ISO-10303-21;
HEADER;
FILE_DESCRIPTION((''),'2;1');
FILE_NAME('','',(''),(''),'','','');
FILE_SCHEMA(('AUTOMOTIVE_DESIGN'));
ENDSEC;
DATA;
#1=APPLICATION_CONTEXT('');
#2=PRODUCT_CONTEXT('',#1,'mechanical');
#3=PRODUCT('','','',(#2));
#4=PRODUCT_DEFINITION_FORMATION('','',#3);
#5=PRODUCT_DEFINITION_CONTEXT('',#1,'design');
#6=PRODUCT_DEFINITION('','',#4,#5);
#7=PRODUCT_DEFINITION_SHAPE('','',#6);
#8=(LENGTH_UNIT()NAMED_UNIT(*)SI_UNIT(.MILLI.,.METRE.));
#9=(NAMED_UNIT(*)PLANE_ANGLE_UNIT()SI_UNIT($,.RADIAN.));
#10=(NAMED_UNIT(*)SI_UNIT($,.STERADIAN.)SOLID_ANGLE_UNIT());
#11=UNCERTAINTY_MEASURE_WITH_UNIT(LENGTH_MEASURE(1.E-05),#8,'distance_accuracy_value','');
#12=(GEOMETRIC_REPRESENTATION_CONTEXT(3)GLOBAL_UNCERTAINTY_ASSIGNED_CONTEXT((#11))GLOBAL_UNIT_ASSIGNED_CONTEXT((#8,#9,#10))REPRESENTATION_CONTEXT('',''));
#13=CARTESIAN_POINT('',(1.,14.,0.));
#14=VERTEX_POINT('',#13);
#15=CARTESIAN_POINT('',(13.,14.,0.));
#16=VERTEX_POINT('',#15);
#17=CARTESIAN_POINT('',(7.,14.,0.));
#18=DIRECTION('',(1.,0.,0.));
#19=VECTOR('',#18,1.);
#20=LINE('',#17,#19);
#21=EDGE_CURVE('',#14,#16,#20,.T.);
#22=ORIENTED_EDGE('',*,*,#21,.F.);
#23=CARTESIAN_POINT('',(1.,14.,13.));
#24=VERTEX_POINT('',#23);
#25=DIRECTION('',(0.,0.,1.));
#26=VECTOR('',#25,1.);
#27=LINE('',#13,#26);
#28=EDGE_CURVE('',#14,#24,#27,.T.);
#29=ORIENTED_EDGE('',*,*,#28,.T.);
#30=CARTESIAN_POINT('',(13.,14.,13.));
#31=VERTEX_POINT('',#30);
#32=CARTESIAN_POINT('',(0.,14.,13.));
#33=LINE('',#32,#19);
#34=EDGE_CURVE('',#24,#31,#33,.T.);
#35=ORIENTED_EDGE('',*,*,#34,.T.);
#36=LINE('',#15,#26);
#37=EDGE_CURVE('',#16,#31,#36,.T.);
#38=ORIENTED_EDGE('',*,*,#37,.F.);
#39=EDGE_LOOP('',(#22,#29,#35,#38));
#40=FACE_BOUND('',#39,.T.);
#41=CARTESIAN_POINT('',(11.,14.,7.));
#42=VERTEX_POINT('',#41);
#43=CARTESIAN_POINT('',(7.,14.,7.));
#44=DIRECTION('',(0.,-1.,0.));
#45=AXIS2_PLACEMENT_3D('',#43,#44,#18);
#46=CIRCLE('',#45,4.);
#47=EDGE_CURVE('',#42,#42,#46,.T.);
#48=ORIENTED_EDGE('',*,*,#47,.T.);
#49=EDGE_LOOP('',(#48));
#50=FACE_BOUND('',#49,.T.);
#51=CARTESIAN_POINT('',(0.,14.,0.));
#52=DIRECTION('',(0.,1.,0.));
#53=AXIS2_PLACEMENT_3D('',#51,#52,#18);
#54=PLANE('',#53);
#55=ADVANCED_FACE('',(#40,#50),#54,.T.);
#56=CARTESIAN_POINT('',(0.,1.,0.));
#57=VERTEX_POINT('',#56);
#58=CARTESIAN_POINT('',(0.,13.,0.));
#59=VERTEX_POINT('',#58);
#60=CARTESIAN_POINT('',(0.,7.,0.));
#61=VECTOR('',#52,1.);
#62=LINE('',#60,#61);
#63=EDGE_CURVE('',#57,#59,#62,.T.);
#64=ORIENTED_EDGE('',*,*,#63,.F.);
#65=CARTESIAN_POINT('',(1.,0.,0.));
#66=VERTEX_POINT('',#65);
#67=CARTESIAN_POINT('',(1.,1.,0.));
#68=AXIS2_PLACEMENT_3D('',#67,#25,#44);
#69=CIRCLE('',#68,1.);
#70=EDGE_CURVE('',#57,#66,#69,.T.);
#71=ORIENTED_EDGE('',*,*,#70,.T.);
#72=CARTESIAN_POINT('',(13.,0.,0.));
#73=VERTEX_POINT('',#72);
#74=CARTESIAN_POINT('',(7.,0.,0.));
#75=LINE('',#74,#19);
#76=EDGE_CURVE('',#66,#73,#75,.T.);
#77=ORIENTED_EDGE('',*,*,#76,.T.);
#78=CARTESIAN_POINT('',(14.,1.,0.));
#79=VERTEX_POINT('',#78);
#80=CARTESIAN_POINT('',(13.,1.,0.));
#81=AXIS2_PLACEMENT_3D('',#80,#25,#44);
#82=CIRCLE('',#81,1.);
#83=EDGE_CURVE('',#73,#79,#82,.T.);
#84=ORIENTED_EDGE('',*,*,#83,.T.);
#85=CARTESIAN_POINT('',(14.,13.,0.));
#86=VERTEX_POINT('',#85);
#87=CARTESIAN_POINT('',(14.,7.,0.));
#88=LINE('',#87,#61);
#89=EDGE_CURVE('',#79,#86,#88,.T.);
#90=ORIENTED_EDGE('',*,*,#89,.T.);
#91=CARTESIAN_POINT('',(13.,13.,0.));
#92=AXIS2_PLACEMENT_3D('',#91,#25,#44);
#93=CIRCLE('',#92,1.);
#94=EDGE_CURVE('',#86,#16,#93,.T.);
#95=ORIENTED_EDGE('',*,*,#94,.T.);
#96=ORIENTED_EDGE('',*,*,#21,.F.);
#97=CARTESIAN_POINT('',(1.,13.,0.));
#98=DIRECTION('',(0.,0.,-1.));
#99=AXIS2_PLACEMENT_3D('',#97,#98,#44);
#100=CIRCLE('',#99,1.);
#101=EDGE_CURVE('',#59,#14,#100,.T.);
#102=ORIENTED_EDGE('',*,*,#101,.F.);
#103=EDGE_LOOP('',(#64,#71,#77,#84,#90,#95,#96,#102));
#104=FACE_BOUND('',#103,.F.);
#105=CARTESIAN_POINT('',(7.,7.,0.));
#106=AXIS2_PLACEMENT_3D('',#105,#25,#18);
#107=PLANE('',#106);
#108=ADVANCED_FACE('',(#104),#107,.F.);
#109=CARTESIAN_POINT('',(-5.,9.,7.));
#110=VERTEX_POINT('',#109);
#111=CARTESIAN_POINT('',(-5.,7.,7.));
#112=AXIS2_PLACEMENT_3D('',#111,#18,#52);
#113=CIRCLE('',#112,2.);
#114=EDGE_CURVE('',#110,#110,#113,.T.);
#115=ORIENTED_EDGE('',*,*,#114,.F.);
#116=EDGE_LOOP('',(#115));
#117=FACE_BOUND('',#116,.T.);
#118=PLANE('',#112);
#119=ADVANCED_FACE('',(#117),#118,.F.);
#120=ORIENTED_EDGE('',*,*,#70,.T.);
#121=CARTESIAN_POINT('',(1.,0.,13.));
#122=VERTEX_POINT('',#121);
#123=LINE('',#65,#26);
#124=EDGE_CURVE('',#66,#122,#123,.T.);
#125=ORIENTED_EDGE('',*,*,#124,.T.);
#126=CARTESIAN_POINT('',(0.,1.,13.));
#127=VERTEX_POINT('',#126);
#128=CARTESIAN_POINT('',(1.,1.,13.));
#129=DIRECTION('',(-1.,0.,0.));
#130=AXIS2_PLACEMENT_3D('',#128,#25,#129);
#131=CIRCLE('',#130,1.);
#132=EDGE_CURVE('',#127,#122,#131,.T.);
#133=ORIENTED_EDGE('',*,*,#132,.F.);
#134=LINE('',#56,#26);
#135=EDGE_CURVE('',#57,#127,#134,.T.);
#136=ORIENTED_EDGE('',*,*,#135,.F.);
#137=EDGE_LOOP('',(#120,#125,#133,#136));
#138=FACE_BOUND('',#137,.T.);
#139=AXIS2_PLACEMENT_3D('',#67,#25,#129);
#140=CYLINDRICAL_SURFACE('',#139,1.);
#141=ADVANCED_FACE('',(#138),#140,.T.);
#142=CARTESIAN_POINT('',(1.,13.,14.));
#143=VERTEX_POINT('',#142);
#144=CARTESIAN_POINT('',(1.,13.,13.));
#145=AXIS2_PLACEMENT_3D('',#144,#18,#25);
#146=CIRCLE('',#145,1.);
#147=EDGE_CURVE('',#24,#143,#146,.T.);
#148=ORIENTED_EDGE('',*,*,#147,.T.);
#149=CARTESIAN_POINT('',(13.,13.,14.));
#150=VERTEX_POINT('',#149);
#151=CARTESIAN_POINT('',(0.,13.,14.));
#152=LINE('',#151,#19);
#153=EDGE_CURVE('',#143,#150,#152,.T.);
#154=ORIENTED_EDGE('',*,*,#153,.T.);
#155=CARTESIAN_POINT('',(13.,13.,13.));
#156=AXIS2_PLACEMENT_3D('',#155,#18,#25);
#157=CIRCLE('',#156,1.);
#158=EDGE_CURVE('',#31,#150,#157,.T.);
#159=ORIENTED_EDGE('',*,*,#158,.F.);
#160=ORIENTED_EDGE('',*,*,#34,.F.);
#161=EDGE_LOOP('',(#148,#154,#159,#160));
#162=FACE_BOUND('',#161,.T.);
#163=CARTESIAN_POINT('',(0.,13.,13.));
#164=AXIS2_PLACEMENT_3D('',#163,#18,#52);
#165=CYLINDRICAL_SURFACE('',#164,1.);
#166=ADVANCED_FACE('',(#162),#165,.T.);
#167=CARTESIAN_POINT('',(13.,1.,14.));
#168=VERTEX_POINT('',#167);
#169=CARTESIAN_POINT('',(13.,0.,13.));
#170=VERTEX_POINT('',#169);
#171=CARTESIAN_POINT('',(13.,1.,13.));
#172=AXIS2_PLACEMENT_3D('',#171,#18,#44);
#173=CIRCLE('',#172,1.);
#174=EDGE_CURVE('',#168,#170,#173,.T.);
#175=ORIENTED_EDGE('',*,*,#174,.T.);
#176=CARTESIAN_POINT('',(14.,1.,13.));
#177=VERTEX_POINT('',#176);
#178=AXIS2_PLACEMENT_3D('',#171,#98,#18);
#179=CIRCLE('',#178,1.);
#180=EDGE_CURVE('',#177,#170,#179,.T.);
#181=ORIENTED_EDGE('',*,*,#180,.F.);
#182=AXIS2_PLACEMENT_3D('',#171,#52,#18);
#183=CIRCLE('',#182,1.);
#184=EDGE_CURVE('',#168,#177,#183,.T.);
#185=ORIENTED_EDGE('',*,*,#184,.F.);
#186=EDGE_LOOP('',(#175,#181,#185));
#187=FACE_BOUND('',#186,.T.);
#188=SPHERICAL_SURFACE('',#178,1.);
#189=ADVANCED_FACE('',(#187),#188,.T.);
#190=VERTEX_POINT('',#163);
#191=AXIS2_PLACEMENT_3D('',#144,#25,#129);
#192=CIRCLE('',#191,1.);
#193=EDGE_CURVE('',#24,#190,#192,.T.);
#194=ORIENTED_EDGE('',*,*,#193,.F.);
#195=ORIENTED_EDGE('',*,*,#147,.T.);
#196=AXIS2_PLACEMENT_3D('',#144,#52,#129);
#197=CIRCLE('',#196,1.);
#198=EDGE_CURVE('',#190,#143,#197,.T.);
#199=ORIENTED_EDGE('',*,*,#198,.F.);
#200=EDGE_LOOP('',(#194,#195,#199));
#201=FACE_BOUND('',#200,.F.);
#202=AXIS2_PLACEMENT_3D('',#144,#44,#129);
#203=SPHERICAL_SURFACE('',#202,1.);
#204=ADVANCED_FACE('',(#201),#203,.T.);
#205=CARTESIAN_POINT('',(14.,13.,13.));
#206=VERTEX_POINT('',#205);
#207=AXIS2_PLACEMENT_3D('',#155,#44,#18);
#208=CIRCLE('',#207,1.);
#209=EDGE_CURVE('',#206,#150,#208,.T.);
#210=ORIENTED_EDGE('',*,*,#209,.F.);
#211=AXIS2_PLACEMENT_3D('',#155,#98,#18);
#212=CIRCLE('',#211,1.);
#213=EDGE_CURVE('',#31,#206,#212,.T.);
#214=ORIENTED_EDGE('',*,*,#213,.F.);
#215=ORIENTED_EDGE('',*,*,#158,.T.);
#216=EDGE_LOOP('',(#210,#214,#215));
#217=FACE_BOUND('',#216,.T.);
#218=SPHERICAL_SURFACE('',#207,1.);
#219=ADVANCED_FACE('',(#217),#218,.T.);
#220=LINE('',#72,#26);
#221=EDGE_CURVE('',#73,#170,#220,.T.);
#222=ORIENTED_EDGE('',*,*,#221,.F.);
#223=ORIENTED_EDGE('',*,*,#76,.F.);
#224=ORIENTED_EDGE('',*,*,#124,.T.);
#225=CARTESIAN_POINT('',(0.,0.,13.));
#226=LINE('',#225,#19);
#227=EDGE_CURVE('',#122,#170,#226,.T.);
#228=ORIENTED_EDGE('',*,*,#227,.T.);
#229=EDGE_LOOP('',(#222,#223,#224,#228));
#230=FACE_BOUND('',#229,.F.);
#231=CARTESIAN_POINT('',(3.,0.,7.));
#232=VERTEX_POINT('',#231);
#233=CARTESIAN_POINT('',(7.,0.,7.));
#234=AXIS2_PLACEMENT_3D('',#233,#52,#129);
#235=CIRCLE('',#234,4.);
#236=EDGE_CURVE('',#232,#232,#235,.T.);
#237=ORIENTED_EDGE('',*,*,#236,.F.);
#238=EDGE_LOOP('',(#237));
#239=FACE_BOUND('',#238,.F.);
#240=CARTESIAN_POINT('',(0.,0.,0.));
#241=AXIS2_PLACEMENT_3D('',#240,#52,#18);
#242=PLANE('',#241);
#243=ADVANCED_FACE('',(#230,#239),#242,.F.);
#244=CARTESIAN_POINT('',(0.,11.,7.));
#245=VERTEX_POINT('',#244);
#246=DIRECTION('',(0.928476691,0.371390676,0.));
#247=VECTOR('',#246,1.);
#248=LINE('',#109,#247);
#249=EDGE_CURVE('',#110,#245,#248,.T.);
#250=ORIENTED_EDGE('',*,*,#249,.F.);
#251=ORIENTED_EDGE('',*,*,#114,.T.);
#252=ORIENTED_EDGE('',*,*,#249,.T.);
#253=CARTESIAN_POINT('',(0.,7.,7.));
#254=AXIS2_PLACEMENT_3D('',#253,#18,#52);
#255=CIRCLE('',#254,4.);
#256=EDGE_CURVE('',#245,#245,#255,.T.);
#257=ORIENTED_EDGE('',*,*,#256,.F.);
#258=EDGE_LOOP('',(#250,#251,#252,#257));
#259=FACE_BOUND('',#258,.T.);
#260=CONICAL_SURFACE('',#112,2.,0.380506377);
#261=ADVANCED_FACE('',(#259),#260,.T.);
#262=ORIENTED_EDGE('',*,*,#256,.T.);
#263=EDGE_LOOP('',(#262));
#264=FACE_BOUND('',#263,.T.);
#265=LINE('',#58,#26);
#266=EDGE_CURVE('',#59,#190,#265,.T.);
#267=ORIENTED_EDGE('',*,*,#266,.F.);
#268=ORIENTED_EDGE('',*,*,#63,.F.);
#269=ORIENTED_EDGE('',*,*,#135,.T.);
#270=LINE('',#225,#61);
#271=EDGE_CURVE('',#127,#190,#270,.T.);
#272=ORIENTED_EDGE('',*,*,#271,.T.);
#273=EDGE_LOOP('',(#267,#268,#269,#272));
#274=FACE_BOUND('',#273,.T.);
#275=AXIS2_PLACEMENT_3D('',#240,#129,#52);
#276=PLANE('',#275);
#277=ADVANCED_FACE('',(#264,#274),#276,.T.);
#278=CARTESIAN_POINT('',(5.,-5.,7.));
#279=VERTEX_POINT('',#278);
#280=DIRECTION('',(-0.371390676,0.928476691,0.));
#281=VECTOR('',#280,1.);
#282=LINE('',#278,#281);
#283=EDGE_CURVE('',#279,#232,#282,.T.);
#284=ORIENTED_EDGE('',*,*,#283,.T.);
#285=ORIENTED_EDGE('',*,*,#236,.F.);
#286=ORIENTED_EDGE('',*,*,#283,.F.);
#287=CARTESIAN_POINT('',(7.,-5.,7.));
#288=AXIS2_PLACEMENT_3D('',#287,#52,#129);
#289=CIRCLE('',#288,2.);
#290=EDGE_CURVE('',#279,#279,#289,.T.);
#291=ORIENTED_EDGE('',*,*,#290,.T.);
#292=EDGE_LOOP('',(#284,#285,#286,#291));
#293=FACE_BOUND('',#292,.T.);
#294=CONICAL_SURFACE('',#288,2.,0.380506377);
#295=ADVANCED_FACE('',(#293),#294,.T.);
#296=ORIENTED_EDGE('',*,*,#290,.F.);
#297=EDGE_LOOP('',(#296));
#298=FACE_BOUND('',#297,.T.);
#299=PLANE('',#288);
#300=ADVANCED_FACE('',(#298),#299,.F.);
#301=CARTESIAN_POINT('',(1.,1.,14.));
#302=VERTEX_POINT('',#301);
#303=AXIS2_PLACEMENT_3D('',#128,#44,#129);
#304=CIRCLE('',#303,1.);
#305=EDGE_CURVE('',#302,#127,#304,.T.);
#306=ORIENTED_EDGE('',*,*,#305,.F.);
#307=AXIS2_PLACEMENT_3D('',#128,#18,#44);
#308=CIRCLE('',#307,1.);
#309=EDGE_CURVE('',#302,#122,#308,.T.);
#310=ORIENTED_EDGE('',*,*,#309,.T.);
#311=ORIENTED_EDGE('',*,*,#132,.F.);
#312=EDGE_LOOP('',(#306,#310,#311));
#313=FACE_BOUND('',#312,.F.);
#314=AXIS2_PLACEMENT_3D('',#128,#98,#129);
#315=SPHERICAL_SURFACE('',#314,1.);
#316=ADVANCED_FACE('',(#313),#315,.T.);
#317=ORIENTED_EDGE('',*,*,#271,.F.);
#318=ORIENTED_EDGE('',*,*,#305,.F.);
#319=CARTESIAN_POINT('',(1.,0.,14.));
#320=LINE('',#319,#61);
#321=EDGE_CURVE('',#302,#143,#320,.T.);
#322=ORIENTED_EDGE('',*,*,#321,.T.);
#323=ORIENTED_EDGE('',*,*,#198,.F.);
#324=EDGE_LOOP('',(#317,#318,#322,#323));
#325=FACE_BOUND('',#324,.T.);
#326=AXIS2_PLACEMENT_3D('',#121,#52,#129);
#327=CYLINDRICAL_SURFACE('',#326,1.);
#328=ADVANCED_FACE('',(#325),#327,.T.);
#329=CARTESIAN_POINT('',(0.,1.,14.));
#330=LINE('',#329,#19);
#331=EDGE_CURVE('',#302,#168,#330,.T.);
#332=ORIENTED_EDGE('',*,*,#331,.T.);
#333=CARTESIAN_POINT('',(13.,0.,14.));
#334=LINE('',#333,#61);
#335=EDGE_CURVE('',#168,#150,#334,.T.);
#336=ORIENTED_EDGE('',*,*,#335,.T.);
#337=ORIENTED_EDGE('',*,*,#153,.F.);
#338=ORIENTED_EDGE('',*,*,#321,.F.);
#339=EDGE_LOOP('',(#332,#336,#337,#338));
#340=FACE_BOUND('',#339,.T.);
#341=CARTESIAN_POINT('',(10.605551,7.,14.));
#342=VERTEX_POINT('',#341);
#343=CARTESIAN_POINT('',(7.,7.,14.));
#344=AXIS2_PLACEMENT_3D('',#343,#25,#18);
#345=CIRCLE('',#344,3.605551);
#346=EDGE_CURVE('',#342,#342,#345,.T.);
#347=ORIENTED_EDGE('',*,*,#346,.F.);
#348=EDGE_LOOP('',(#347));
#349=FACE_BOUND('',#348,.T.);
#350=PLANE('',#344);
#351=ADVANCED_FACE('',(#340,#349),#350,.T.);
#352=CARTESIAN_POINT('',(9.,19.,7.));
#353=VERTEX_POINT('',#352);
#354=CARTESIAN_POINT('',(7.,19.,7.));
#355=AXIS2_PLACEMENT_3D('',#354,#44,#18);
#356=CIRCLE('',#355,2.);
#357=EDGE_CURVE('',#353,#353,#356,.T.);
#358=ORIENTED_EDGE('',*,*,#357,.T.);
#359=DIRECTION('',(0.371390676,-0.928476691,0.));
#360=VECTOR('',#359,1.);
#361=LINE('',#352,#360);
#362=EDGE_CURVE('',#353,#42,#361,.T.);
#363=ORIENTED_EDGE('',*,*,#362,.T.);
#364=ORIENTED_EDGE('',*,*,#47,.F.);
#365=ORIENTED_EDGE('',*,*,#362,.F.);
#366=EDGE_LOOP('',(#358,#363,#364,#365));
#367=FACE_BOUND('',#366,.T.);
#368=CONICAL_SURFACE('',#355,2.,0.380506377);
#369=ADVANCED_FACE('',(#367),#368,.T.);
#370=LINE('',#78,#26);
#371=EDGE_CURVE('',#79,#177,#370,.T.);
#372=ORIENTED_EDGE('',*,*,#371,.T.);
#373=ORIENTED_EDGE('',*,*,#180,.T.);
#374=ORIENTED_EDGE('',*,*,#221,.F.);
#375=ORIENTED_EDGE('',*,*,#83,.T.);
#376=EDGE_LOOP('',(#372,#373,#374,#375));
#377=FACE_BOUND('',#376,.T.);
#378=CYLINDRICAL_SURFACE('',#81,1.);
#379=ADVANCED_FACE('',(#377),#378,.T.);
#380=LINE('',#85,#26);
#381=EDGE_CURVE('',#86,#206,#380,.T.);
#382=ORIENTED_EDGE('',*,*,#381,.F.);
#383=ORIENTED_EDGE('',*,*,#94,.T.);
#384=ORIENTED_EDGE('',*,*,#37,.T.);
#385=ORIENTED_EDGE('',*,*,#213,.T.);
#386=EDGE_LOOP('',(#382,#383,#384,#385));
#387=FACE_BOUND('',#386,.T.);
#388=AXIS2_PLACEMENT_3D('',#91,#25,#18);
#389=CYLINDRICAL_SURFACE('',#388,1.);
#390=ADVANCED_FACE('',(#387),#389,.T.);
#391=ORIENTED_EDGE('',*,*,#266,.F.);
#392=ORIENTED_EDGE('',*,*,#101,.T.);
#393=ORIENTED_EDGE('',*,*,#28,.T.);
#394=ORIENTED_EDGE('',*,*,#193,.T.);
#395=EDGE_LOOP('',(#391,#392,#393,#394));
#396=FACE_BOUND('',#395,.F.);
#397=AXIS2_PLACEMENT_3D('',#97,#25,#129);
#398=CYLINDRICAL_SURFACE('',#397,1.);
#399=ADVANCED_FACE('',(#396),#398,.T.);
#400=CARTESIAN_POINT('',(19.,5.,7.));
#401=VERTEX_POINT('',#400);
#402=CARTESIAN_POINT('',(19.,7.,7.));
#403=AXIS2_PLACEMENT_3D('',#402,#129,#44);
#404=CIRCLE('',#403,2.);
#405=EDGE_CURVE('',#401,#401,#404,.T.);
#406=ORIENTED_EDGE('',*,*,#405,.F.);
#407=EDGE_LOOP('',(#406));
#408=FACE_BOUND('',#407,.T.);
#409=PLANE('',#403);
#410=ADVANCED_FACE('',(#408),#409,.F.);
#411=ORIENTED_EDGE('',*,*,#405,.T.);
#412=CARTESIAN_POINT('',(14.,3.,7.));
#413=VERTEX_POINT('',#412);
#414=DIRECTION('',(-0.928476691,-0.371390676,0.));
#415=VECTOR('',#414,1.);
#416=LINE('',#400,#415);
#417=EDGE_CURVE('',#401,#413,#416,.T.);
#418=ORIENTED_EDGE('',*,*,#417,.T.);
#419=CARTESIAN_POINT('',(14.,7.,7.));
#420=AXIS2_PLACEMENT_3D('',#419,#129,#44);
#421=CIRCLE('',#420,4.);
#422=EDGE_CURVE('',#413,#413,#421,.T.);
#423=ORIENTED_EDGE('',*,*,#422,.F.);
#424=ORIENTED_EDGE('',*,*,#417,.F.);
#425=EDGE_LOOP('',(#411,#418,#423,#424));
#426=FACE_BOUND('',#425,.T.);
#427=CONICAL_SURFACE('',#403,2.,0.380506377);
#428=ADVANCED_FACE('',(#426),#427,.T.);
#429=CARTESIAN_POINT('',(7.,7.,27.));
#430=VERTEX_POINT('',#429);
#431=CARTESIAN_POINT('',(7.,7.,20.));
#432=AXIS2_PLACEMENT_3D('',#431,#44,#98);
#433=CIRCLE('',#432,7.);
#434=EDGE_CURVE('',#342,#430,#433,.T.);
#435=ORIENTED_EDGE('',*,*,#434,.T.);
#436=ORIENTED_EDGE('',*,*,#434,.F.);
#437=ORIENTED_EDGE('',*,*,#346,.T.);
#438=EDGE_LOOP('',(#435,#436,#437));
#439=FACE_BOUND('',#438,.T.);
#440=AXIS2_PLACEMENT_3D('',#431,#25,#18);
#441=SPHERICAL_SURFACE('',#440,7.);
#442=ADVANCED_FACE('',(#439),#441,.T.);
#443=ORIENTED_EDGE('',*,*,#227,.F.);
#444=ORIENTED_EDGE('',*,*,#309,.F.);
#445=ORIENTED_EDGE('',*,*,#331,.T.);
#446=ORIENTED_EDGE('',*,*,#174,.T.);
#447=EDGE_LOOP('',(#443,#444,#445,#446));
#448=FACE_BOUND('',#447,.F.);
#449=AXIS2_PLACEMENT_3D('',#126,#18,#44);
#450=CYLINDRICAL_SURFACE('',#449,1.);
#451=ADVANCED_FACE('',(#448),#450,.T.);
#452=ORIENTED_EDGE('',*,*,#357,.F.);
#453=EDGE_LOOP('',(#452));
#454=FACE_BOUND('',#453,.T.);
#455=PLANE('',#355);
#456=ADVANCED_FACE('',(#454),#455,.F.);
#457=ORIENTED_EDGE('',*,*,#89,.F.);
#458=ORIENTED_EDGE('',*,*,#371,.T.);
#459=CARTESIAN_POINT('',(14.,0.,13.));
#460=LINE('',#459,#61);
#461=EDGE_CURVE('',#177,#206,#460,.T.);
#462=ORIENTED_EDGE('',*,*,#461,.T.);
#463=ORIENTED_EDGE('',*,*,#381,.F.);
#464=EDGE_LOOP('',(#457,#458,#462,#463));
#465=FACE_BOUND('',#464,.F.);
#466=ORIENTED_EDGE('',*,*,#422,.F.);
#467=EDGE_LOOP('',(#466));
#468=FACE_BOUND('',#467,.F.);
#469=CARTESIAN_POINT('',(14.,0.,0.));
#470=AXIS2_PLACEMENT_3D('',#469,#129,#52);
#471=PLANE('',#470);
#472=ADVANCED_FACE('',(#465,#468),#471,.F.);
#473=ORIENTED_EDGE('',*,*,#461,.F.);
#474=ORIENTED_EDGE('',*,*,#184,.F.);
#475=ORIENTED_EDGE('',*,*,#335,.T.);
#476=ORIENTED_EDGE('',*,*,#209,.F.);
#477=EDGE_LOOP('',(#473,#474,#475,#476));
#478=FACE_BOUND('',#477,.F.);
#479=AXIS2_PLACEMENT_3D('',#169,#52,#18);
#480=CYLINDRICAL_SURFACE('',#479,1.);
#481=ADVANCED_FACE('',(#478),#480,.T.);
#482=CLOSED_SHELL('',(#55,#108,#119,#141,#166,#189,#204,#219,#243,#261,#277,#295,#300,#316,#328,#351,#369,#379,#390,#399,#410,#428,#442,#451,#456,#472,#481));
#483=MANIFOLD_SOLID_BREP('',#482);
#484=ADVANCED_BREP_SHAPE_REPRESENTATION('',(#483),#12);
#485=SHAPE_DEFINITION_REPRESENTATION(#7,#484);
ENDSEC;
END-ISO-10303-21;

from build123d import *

# Parameters (mm, degrees)
BOX_W     = 14
BOX_H     = 14
BOX_DEPTH = 14
FILLET_R  = 1


with BuildPart() as cone:
    # Cone → Cone (revolve)
    with BuildSketch(Plane(origin=(7, -5, 7), x_dir=(-1, 0, 0), z_dir=(0, 0, -1))):
        Polygon((0, 0), (2, 0), (4, 5), (0, 5), align=None)
    revolve(axis=Axis((7, -5, 7), (0, 1, 0)))


with BuildPart() as cone001:
    # Cone001 → Cone001 (revolve)
    with BuildSketch(Plane(origin=(19, 7, 7), x_dir=(0, -1, 0), z_dir=(0, 0, -1))):
        Polygon((0, 0), (2, 0), (4, 5), (0, 5), align=None)
    revolve(axis=Axis((19, 7, 7), (-1, 0, 0)))


with BuildPart() as cone002:
    # Cone002 → Cone002 (revolve)
    with BuildSketch(Plane(origin=(7, 19, 7), x_dir=(1, 0, 0), z_dir=(0, 0, -1))):
        Polygon((0, 0), (2, 0), (4, 5), (0, 5), align=None)
    revolve(axis=Axis((7, 19, 7), (0, -1, 0)))


with BuildPart() as cone003:
    # Cone003 → Cone003 (revolve)
    with BuildSketch(Plane(origin=(-5, 7, 7), x_dir=(0, 1, 0), z_dir=(0, 0, -1))):
        Polygon((0, 0), (2, 0), (4, 5), (0, 5), align=None)
    revolve(axis=Axis((-5, 7, 7), (1, 0, 0)))


with BuildPart() as fillet_body:
    # Box → Box (new body)
    with BuildSketch(Plane.XY):
        with Locations((7, 7)):
            Rectangle(BOX_W, BOX_H)
    extrude(amount=BOX_DEPTH)

    # Fillet
    fillet_edges = [fillet_body.edges().sort_by_distance(p)[0] for p in [
        (0, 0, 7),
        (0, 7, 14),
        (0, 14, 7),
        (14, 0, 7),
        (14, 7, 14),
        (14, 14, 7),
        (7, 0, 14),
        (7, 14, 14),
    ]]
    fillet(fillet_edges, radius=FILLET_R)


with BuildPart() as fusion:
    # Sphere → Sphere (revolve)
    with BuildSketch(Plane(origin=(7, 7, 20), x_dir=(1, 0, 0), z_dir=(0, -1, 0))):
        with BuildLine():
            ThreePointArc((0, -7), (7, 0), (0, 7))
            Line((0, 7), (0, -7))
        make_face()
    revolve(axis=Axis((7, 7, 20), (0, 0, 1)))

    # Fusion: union Cone, Cone001, Cone002, Cone003, Fillet body
    add(cone.part)
    add(cone001.part)
    add(cone002.part)
    add(cone003.part)
    add(fillet_body.part)


solid = fusion.part
